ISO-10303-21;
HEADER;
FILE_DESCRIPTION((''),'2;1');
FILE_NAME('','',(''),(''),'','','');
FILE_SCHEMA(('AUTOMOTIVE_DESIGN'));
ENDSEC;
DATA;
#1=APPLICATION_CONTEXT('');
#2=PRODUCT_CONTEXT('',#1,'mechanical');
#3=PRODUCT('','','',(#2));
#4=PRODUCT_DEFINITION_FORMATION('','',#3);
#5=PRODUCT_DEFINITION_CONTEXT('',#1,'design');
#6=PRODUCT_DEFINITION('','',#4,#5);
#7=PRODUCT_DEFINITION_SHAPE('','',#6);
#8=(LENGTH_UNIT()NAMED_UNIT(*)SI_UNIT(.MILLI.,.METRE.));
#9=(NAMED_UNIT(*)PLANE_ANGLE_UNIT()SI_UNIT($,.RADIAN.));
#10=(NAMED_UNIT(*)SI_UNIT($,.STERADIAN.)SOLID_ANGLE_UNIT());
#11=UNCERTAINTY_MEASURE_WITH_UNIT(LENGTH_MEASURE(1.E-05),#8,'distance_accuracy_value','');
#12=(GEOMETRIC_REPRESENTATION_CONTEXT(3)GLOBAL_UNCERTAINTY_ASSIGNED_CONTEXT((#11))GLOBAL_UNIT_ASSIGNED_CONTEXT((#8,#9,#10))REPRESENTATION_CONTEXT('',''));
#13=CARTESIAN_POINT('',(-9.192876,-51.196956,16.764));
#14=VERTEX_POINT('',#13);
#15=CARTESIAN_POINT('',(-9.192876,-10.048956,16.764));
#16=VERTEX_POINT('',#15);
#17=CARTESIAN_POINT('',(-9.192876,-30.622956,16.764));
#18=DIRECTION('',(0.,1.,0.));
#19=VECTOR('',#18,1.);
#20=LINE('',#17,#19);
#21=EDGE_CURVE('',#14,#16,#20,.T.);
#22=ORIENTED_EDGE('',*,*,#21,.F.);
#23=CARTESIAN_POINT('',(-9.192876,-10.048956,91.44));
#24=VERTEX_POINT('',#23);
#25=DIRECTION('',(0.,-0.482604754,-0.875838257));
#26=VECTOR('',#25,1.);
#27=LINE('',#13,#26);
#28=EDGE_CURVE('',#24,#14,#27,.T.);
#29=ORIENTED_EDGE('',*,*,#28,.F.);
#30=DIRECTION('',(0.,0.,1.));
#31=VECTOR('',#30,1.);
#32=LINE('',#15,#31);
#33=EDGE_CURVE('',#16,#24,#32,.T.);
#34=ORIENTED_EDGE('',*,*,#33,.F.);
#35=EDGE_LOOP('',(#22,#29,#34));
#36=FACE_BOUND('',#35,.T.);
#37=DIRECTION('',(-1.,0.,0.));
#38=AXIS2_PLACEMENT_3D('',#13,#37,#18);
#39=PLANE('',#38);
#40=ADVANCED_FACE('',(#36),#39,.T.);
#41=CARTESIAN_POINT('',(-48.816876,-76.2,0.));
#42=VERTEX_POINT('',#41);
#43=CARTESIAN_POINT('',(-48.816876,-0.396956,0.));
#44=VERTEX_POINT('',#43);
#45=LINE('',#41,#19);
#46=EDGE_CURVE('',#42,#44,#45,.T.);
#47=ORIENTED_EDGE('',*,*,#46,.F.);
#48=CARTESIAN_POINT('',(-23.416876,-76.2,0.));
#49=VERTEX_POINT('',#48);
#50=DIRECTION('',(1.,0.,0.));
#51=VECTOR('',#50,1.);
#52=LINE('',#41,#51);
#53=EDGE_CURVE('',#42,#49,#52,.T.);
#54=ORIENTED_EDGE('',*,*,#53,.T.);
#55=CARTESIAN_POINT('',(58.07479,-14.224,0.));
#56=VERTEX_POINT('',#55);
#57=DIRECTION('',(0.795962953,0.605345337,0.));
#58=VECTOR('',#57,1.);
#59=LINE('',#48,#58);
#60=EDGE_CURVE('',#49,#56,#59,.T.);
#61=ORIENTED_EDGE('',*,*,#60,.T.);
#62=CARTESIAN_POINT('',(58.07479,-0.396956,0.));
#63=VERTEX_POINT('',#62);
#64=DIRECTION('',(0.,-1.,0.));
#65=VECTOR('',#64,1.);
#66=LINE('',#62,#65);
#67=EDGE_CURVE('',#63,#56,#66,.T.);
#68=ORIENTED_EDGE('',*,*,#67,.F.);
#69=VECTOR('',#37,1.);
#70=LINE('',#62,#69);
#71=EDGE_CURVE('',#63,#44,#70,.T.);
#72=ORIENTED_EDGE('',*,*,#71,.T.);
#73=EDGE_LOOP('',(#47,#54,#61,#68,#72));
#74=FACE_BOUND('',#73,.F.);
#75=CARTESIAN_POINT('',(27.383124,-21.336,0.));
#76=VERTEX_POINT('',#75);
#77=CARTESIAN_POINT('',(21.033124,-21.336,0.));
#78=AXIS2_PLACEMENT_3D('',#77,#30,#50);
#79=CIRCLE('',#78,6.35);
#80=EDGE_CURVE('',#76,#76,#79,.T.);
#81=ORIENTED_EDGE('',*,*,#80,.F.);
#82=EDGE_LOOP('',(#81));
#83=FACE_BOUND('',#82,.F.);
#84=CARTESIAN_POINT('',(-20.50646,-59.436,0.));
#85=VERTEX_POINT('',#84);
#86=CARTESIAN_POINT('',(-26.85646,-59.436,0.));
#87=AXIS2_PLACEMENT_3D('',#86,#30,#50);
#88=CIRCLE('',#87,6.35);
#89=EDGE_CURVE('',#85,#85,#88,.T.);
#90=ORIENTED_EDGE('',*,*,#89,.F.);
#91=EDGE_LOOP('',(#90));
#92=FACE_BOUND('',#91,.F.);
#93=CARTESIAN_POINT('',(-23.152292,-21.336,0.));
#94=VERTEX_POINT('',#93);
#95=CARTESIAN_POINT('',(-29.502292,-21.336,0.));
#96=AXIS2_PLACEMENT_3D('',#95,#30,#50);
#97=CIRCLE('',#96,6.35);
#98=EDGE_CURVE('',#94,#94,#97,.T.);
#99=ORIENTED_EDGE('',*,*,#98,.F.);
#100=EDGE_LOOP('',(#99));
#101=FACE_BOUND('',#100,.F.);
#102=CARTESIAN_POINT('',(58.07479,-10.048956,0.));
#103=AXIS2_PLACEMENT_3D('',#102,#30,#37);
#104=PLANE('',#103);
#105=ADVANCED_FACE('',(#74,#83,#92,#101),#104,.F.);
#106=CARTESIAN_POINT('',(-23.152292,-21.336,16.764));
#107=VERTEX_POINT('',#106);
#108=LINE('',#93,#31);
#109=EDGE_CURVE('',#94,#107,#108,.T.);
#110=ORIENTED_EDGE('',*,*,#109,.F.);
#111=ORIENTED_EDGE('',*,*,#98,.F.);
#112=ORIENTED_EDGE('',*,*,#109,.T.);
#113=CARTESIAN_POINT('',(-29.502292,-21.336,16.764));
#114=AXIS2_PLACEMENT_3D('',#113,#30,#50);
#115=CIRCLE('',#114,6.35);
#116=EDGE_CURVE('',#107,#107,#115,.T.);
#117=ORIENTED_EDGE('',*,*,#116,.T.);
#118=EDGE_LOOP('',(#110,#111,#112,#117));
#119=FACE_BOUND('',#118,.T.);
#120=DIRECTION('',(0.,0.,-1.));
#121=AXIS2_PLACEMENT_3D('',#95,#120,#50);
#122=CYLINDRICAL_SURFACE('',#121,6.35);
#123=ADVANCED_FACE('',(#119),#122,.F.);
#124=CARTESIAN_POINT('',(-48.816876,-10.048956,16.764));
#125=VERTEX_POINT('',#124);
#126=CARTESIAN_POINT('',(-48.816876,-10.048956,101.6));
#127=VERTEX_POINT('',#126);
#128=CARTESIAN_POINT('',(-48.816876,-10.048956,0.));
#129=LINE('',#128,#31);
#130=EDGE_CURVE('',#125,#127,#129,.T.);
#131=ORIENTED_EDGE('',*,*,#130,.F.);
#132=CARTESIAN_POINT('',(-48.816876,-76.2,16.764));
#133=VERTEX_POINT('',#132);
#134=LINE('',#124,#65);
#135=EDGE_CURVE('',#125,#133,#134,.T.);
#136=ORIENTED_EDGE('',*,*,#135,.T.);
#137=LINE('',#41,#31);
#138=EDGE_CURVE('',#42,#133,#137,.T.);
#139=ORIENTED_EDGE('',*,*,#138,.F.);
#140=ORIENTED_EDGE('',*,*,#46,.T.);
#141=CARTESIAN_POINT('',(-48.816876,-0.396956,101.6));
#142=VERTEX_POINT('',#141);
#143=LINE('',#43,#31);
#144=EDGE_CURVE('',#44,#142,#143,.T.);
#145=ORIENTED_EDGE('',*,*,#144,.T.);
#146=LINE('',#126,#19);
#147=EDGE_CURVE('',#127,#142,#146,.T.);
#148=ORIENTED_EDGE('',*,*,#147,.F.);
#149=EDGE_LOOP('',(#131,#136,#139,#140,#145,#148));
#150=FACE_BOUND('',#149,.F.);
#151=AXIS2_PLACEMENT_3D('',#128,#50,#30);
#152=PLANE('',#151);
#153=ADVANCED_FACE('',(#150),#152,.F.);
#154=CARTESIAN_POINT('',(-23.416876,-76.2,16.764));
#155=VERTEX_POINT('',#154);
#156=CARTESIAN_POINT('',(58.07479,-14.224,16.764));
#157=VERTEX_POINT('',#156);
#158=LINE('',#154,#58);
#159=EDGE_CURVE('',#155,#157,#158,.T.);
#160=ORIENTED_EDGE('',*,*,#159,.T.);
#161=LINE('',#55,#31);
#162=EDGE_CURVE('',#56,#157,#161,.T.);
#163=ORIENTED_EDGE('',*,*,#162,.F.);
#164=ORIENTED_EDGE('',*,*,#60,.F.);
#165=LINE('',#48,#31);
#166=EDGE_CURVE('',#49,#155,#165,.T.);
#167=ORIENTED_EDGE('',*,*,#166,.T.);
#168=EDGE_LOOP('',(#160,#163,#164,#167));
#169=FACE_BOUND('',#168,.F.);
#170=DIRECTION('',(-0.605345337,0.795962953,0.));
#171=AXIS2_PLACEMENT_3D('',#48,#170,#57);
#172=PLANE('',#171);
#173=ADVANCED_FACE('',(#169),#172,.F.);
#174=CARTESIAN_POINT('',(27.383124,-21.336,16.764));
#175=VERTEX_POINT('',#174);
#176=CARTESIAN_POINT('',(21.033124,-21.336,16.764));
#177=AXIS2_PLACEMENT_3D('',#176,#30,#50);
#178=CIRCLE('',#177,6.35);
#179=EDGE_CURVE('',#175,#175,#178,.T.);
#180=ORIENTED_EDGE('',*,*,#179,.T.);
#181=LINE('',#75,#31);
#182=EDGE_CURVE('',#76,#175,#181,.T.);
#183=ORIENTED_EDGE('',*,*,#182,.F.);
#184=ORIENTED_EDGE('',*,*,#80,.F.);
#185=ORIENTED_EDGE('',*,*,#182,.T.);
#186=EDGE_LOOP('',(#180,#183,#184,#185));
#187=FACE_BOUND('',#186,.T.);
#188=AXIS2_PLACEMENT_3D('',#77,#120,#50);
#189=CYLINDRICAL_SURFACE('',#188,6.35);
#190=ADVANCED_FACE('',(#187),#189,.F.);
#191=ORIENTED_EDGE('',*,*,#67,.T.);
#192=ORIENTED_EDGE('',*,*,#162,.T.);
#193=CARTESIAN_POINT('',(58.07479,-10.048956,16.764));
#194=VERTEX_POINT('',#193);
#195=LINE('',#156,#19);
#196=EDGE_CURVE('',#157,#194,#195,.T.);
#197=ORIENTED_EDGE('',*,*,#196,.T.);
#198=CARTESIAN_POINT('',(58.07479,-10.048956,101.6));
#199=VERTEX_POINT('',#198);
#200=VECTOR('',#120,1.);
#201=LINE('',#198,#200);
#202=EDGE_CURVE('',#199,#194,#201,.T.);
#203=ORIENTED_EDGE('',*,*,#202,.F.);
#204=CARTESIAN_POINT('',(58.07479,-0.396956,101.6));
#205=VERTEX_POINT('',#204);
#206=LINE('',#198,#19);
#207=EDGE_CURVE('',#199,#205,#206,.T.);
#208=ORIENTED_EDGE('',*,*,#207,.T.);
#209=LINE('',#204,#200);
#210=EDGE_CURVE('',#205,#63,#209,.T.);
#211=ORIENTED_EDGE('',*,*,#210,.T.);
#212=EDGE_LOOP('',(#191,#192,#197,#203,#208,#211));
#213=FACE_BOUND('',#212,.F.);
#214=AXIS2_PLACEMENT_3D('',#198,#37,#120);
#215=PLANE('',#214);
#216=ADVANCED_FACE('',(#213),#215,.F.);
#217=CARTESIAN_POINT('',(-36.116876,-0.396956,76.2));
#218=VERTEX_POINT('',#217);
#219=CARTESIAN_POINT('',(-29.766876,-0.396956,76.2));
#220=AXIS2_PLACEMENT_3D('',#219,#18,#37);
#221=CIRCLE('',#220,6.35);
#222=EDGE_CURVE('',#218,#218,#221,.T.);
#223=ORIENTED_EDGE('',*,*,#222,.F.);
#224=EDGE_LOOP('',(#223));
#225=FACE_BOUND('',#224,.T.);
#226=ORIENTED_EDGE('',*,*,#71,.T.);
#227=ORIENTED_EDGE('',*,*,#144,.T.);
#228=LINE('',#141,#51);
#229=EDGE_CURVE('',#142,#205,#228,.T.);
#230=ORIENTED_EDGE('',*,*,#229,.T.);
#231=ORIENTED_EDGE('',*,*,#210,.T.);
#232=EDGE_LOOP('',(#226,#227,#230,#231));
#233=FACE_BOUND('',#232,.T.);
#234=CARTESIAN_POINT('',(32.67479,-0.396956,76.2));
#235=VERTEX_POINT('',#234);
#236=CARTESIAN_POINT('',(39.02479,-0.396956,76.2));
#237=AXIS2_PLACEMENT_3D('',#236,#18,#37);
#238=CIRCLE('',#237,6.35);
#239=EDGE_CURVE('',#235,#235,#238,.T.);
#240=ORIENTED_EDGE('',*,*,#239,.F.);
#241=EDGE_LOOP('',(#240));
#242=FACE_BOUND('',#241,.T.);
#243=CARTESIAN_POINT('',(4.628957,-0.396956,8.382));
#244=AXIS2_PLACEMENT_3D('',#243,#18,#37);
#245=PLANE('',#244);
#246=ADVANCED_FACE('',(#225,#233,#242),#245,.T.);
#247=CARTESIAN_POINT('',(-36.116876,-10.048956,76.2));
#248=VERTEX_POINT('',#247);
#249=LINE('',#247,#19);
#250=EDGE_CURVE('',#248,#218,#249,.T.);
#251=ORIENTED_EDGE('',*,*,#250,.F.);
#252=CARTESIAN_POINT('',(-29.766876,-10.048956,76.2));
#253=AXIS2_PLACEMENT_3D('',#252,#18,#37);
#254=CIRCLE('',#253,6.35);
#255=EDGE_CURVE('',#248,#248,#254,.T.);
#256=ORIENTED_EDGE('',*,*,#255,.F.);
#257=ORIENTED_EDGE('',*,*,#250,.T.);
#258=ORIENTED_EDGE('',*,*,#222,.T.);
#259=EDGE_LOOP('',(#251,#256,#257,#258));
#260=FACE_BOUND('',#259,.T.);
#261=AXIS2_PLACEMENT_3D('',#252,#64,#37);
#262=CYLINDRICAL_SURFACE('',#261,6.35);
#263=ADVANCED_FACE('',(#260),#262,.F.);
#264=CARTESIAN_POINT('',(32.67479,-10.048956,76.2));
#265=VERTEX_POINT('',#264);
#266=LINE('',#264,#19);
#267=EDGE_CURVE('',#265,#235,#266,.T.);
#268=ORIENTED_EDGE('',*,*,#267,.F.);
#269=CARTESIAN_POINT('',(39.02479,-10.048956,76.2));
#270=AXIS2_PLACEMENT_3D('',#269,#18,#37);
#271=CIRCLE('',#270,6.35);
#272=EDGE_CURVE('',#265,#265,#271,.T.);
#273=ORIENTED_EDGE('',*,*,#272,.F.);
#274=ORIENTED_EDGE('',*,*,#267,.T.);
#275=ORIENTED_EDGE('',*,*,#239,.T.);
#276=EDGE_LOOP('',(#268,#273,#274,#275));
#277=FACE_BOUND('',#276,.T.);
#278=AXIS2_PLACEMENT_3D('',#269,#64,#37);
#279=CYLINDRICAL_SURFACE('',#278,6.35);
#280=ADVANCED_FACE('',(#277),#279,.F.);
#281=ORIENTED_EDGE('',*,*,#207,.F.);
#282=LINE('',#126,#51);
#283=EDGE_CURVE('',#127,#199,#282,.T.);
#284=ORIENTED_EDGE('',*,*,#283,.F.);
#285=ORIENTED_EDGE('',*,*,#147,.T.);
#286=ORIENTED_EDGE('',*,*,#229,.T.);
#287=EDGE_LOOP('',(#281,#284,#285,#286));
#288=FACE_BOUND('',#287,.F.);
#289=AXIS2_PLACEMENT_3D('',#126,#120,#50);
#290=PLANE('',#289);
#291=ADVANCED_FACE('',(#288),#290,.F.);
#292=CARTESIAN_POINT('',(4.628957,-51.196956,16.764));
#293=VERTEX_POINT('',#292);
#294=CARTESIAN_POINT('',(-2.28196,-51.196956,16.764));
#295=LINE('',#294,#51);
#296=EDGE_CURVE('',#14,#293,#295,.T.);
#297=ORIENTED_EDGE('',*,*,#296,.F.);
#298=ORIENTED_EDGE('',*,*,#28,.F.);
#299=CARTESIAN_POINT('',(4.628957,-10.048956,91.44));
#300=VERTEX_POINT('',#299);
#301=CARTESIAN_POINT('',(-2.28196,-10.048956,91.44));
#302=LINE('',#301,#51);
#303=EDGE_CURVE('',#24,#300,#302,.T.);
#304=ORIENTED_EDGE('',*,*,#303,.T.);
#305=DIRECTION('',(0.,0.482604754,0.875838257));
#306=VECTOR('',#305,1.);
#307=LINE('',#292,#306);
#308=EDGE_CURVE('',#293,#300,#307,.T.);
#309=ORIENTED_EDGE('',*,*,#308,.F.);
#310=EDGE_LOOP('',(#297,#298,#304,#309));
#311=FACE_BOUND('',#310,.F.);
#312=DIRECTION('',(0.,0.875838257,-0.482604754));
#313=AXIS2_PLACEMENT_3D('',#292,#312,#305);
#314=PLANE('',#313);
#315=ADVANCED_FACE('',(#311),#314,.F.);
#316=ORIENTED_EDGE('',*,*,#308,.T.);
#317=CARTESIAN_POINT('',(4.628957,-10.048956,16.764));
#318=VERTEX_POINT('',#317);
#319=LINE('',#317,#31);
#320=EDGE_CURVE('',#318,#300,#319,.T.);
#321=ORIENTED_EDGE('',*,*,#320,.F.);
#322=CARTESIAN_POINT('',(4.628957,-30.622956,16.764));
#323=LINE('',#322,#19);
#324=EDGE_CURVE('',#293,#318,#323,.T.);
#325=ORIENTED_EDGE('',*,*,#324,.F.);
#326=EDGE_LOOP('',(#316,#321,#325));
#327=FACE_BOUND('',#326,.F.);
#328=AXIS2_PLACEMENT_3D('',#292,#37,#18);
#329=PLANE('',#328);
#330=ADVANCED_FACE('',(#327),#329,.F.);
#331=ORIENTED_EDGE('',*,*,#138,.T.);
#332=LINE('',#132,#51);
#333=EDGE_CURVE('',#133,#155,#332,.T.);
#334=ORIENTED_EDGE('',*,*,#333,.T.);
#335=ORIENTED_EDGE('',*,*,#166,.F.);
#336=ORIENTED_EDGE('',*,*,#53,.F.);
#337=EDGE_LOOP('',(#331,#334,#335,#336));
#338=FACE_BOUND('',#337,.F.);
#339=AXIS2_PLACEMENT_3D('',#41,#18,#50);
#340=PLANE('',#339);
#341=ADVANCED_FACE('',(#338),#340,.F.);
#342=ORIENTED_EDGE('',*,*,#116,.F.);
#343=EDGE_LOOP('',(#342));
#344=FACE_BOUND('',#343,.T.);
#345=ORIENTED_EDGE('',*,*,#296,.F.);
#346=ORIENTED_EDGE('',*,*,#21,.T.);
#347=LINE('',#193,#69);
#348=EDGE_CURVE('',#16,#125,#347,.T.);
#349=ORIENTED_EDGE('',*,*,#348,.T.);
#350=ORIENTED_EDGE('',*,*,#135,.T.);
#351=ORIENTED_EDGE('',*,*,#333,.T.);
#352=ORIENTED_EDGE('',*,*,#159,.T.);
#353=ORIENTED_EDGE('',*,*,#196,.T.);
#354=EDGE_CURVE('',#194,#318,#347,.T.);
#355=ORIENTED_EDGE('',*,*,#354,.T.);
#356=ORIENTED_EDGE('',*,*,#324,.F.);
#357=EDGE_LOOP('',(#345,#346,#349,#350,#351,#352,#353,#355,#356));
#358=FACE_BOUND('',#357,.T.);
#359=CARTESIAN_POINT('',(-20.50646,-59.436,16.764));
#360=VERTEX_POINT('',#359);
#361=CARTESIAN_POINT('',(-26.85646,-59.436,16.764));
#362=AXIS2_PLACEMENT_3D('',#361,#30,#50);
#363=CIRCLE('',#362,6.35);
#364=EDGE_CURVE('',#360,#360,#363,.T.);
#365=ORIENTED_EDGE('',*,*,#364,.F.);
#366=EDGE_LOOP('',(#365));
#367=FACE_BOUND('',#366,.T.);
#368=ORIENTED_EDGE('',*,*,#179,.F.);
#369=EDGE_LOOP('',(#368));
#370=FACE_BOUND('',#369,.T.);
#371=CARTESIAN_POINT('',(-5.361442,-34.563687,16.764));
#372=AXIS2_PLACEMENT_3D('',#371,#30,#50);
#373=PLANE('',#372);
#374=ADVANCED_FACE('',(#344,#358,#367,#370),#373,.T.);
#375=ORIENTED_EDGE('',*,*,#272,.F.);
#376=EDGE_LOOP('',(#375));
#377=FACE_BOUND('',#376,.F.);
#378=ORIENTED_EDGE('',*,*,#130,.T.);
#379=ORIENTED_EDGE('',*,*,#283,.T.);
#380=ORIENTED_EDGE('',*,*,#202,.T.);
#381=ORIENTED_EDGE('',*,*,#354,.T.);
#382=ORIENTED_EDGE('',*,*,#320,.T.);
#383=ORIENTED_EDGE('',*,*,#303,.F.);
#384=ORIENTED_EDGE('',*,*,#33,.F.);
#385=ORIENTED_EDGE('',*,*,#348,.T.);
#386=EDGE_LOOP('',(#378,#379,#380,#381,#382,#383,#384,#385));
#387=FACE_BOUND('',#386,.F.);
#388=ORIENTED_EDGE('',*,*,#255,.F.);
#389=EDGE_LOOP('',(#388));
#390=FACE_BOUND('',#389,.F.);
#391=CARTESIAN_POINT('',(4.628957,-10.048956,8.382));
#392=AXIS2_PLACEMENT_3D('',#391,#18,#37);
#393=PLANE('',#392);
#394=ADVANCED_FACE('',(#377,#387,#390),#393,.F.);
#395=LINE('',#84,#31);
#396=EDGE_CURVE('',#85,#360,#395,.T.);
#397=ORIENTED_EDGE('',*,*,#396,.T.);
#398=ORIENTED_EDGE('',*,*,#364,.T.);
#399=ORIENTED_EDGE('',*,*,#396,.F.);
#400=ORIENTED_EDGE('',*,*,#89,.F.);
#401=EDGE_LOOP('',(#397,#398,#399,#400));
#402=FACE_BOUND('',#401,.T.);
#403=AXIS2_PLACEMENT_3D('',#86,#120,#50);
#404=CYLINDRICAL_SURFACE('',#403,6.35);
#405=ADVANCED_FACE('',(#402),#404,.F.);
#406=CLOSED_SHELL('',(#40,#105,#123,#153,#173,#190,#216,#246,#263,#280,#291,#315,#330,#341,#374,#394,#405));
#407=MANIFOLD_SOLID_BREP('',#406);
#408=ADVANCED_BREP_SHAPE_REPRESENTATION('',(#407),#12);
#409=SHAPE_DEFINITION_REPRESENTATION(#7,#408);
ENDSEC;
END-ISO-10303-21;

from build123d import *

# Parameters (mm, degrees)
F0_R     = 6.35
F1_DEPTH = 16.764
F2_R     = 6.35
F2_W     = 27.6436659317
F2_H     = 72.136
F3_DEPTH = 9.652
F4_W     = 13.8218329659
F4_H     = 41.148
F5_DEPTH = 74.676
F7_DEPTH = 53.04913


with BuildPart() as f1:
    # F0 (on Top) → F1 (new body)
    with BuildSketch(Plane.XY):
        Polygon((58.0747899478, -10.0489559141), (-48.8168759839, -10.0489559141), (-48.8168759839, -76.2), (-23.4168759839, -76.2), (58.0747899478, -14.224), align=None)
        with Locations((-26.856459501, -59.436)):
            Circle(F0_R, mode=Mode.SUBTRACT)
        with Locations((-29.5022924669, -21.336)):
            Circle(F0_R, mode=Mode.SUBTRACT)
        with Locations((21.0331240161, -21.336)):
            Circle(F0_R, mode=Mode.SUBTRACT)
    extrude(amount=F1_DEPTH)

    # F2 (on face) → F3 (join)
    with BuildSketch(Plane(origin=(0, -10.0489559141, 0), x_dir=(-1, 0, 0), z_dir=(0, 1, 0))):
        Polygon((-58.0747899478, 16.764), (-58.0747899478, 0), (48.8168759839, 0), (48.8168759839, 16.764), (9.1928759839, 16.764), (-18.4507899478, 16.764), align=None)
        Polygon((-58.0747899478, 101.6), (-58.0747899478, 16.764), (-18.4507899478, 16.764), (-18.4507899478, 88.9), (9.1928759839, 88.9), (9.1928759839, 16.764), (48.8168759839, 16.764), (48.8168759839, 101.6), align=None)
        with Locations((-39.0247899478, 76.2)):
            Circle(F2_R, mode=Mode.SUBTRACT)
        with Locations((29.7668759839, 76.2)):
            Circle(F2_R, mode=Mode.SUBTRACT)
        with Locations((-4.6289569819, 52.832)):
            Rectangle(F2_W, F2_H)
    extrude(amount=F3_DEPTH)

    # F4 (on face) → F5 (join)
    with BuildSketch(Plane.XY.offset(16.764)):
        with Locations((-2.281959501, -30.6229559141)):
            Rectangle(F4_W, F4_H)
    extrude(amount=F5_DEPTH)

    # F6 (on face) → F7 (cut)
    with BuildSketch(Plane.YZ.offset(4.6289569819)):
        Polygon((-51.1969559141, 91.44), (-51.1969559141, 16.764), (-10.0489559141, 91.44), align=None)
    extrude(amount=-F7_DEPTH, mode=Mode.SUBTRACT)


solid = f1.part
